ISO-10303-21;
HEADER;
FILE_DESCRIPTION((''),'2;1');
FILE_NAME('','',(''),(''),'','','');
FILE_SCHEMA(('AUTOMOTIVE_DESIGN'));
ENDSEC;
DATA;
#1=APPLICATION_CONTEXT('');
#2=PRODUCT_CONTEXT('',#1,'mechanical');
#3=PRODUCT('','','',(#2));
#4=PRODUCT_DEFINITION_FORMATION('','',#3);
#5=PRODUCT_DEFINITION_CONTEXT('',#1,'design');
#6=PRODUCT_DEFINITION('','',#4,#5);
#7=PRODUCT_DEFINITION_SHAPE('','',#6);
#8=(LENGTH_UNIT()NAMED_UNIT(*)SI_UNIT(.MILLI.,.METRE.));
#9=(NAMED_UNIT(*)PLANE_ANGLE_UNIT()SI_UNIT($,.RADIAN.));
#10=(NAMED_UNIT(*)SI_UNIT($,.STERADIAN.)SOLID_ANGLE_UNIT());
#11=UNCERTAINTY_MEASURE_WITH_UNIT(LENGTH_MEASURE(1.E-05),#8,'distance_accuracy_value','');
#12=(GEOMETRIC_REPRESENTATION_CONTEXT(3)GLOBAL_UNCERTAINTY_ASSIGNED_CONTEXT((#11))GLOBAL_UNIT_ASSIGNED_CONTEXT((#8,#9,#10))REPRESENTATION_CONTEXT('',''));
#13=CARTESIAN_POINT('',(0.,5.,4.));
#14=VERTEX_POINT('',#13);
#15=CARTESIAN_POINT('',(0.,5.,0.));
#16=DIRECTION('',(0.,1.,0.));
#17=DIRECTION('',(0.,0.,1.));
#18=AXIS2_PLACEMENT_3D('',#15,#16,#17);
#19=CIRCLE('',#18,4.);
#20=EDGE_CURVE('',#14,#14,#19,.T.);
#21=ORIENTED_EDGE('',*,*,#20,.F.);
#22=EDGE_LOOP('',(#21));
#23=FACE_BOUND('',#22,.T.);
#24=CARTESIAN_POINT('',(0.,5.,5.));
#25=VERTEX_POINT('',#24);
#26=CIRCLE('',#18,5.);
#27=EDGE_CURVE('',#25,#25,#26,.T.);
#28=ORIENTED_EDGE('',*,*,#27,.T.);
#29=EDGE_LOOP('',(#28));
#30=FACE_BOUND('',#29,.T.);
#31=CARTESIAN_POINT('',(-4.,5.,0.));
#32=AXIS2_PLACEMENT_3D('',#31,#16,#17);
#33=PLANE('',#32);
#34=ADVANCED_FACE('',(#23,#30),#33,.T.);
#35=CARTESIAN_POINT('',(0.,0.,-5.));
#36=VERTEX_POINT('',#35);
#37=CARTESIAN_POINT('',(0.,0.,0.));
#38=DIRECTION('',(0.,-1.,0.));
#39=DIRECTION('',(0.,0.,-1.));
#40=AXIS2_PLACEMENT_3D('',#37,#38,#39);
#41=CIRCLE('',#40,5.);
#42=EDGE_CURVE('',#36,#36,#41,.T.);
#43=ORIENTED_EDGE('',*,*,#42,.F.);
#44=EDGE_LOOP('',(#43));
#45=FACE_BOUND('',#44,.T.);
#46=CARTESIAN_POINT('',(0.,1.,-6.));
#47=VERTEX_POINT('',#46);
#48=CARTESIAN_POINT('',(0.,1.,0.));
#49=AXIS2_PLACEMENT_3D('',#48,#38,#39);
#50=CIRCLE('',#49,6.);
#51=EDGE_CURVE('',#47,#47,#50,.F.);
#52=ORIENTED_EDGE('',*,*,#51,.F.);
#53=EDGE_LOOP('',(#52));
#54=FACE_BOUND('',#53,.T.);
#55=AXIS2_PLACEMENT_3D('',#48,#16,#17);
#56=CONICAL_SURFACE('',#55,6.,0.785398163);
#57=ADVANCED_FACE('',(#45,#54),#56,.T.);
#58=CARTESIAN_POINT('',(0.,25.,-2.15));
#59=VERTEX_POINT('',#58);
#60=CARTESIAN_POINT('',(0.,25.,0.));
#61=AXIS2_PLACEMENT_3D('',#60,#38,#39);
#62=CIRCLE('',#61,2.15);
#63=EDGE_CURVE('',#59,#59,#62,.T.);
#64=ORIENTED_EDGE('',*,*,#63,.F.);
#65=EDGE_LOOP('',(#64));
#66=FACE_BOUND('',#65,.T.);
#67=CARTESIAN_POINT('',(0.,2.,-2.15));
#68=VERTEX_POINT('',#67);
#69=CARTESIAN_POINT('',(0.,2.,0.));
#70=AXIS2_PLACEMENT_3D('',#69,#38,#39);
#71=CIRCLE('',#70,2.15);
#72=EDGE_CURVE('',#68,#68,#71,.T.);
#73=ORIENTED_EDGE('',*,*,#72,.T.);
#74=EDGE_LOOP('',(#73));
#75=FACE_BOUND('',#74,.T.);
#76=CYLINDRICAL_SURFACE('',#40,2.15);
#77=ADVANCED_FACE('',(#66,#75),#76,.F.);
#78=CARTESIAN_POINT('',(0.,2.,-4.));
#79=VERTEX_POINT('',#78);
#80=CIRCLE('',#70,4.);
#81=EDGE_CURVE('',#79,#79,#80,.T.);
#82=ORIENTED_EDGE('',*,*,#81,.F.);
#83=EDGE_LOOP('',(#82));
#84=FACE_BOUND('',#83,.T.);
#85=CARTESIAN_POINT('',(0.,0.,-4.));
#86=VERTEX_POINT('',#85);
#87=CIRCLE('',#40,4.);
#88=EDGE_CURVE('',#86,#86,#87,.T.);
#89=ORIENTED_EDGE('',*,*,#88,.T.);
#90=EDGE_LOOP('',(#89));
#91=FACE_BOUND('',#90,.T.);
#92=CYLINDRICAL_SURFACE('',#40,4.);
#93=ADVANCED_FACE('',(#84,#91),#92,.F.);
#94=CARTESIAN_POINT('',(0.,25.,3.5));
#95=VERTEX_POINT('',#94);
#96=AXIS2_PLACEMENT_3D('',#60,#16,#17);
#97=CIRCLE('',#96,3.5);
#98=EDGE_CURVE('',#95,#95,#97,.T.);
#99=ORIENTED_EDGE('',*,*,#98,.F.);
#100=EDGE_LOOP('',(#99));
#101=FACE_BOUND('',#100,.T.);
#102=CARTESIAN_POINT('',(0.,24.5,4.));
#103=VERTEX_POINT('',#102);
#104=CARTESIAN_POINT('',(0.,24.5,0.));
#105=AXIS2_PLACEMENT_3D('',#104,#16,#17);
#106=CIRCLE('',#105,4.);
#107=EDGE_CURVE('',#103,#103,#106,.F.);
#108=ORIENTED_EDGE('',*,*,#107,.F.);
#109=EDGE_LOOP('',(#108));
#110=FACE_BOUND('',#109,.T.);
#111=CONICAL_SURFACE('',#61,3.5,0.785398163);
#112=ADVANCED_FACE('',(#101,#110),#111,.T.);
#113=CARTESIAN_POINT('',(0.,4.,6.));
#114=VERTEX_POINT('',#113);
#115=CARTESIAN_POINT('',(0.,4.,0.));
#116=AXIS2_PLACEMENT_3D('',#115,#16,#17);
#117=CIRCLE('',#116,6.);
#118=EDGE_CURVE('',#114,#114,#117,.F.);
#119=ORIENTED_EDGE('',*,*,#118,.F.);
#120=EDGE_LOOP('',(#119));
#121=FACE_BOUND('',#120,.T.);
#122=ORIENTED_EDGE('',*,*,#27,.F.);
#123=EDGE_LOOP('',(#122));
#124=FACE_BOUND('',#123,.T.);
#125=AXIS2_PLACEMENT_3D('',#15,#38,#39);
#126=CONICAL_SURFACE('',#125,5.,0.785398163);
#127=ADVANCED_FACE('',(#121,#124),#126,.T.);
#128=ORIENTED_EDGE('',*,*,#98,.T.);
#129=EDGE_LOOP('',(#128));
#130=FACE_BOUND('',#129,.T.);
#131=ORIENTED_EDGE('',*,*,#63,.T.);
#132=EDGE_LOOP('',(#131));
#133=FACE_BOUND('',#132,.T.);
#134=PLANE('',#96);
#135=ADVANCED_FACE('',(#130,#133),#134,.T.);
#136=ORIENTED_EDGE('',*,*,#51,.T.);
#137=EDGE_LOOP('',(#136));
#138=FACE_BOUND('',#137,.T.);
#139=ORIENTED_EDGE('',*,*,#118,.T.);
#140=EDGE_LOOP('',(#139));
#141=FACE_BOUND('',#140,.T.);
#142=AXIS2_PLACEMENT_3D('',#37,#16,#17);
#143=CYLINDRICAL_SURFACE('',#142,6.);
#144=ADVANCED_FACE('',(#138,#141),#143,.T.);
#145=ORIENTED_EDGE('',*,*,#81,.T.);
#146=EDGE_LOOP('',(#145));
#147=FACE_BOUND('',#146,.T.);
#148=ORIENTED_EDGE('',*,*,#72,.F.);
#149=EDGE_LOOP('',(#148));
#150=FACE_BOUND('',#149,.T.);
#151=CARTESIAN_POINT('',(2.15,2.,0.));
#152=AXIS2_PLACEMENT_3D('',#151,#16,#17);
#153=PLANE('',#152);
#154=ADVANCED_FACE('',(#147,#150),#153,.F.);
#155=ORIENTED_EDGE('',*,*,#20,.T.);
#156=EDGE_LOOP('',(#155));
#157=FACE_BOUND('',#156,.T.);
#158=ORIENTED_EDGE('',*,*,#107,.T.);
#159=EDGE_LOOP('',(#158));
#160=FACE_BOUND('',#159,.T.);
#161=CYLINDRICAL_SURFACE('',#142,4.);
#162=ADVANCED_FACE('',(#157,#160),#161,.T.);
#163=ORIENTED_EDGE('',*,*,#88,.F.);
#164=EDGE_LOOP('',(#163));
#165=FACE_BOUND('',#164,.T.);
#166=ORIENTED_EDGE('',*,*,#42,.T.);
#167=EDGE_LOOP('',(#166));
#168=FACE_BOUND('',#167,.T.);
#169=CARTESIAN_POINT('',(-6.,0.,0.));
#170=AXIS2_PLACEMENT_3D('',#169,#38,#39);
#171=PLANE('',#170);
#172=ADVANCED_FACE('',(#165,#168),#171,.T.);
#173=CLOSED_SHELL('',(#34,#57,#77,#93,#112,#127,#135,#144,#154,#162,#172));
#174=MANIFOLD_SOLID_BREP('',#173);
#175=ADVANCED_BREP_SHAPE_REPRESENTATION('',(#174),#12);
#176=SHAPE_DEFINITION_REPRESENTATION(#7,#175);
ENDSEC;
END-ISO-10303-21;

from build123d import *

# Parameters (mm, degrees)
STIRNSENKUNG_F_R_M4_ZYLINDERSCHRAUBE_MIT_D           = 4.3
STIRNSENKUNG_F_R_M4_ZYLINDERSCHRAUBE_MIT_CBORE_D     = 8
STIRNSENKUNG_F_R_M4_ZYLINDERSCHRAUBE_MIT_CBORE_DEPTH = 2
FASE1_SIZE                                           = 1
FASE2_SIZE                                           = 0.5


with BuildPart() as part:
    # Skizze1 → Rotation1 (revolve)
    with BuildSketch(Plane.XY):
        Polygon((0, 0), (0, 25), (-4, 25), (-4, 5), (-6, 5), (-6, 0), align=None)
    revolve(axis=Axis((0, 0, 0), (0, -1, 0)))

    # Stirnsenkung für M4 Zylinderschraube mit Innensechskant1 (through all)
    with Locations(Plane(origin=(0, 0, 0), x_dir=(-1, 0, 0), z_dir=(0, -1, 0))):
        with Locations((0, 0)):
            CounterBoreHole(STIRNSENKUNG_F_R_M4_ZYLINDERSCHRAUBE_MIT_D / 2, STIRNSENKUNG_F_R_M4_ZYLINDERSCHRAUBE_MIT_CBORE_D / 2, STIRNSENKUNG_F_R_M4_ZYLINDERSCHRAUBE_MIT_CBORE_DEPTH)

    # Fase1
    fase1_edges = [part.edges().sort_by_distance(p)[0] for p in [
        (6, 0, 0),
        (6, 5, 0),
    ]]
    chamfer(fase1_edges, length=FASE1_SIZE)

    # Fase2
    fase2_edges = [part.edges().sort_by_distance(p)[0] for p in [
        (4, 25, 0),
    ]]
    chamfer(fase2_edges, length=FASE2_SIZE)


solid = part.part
